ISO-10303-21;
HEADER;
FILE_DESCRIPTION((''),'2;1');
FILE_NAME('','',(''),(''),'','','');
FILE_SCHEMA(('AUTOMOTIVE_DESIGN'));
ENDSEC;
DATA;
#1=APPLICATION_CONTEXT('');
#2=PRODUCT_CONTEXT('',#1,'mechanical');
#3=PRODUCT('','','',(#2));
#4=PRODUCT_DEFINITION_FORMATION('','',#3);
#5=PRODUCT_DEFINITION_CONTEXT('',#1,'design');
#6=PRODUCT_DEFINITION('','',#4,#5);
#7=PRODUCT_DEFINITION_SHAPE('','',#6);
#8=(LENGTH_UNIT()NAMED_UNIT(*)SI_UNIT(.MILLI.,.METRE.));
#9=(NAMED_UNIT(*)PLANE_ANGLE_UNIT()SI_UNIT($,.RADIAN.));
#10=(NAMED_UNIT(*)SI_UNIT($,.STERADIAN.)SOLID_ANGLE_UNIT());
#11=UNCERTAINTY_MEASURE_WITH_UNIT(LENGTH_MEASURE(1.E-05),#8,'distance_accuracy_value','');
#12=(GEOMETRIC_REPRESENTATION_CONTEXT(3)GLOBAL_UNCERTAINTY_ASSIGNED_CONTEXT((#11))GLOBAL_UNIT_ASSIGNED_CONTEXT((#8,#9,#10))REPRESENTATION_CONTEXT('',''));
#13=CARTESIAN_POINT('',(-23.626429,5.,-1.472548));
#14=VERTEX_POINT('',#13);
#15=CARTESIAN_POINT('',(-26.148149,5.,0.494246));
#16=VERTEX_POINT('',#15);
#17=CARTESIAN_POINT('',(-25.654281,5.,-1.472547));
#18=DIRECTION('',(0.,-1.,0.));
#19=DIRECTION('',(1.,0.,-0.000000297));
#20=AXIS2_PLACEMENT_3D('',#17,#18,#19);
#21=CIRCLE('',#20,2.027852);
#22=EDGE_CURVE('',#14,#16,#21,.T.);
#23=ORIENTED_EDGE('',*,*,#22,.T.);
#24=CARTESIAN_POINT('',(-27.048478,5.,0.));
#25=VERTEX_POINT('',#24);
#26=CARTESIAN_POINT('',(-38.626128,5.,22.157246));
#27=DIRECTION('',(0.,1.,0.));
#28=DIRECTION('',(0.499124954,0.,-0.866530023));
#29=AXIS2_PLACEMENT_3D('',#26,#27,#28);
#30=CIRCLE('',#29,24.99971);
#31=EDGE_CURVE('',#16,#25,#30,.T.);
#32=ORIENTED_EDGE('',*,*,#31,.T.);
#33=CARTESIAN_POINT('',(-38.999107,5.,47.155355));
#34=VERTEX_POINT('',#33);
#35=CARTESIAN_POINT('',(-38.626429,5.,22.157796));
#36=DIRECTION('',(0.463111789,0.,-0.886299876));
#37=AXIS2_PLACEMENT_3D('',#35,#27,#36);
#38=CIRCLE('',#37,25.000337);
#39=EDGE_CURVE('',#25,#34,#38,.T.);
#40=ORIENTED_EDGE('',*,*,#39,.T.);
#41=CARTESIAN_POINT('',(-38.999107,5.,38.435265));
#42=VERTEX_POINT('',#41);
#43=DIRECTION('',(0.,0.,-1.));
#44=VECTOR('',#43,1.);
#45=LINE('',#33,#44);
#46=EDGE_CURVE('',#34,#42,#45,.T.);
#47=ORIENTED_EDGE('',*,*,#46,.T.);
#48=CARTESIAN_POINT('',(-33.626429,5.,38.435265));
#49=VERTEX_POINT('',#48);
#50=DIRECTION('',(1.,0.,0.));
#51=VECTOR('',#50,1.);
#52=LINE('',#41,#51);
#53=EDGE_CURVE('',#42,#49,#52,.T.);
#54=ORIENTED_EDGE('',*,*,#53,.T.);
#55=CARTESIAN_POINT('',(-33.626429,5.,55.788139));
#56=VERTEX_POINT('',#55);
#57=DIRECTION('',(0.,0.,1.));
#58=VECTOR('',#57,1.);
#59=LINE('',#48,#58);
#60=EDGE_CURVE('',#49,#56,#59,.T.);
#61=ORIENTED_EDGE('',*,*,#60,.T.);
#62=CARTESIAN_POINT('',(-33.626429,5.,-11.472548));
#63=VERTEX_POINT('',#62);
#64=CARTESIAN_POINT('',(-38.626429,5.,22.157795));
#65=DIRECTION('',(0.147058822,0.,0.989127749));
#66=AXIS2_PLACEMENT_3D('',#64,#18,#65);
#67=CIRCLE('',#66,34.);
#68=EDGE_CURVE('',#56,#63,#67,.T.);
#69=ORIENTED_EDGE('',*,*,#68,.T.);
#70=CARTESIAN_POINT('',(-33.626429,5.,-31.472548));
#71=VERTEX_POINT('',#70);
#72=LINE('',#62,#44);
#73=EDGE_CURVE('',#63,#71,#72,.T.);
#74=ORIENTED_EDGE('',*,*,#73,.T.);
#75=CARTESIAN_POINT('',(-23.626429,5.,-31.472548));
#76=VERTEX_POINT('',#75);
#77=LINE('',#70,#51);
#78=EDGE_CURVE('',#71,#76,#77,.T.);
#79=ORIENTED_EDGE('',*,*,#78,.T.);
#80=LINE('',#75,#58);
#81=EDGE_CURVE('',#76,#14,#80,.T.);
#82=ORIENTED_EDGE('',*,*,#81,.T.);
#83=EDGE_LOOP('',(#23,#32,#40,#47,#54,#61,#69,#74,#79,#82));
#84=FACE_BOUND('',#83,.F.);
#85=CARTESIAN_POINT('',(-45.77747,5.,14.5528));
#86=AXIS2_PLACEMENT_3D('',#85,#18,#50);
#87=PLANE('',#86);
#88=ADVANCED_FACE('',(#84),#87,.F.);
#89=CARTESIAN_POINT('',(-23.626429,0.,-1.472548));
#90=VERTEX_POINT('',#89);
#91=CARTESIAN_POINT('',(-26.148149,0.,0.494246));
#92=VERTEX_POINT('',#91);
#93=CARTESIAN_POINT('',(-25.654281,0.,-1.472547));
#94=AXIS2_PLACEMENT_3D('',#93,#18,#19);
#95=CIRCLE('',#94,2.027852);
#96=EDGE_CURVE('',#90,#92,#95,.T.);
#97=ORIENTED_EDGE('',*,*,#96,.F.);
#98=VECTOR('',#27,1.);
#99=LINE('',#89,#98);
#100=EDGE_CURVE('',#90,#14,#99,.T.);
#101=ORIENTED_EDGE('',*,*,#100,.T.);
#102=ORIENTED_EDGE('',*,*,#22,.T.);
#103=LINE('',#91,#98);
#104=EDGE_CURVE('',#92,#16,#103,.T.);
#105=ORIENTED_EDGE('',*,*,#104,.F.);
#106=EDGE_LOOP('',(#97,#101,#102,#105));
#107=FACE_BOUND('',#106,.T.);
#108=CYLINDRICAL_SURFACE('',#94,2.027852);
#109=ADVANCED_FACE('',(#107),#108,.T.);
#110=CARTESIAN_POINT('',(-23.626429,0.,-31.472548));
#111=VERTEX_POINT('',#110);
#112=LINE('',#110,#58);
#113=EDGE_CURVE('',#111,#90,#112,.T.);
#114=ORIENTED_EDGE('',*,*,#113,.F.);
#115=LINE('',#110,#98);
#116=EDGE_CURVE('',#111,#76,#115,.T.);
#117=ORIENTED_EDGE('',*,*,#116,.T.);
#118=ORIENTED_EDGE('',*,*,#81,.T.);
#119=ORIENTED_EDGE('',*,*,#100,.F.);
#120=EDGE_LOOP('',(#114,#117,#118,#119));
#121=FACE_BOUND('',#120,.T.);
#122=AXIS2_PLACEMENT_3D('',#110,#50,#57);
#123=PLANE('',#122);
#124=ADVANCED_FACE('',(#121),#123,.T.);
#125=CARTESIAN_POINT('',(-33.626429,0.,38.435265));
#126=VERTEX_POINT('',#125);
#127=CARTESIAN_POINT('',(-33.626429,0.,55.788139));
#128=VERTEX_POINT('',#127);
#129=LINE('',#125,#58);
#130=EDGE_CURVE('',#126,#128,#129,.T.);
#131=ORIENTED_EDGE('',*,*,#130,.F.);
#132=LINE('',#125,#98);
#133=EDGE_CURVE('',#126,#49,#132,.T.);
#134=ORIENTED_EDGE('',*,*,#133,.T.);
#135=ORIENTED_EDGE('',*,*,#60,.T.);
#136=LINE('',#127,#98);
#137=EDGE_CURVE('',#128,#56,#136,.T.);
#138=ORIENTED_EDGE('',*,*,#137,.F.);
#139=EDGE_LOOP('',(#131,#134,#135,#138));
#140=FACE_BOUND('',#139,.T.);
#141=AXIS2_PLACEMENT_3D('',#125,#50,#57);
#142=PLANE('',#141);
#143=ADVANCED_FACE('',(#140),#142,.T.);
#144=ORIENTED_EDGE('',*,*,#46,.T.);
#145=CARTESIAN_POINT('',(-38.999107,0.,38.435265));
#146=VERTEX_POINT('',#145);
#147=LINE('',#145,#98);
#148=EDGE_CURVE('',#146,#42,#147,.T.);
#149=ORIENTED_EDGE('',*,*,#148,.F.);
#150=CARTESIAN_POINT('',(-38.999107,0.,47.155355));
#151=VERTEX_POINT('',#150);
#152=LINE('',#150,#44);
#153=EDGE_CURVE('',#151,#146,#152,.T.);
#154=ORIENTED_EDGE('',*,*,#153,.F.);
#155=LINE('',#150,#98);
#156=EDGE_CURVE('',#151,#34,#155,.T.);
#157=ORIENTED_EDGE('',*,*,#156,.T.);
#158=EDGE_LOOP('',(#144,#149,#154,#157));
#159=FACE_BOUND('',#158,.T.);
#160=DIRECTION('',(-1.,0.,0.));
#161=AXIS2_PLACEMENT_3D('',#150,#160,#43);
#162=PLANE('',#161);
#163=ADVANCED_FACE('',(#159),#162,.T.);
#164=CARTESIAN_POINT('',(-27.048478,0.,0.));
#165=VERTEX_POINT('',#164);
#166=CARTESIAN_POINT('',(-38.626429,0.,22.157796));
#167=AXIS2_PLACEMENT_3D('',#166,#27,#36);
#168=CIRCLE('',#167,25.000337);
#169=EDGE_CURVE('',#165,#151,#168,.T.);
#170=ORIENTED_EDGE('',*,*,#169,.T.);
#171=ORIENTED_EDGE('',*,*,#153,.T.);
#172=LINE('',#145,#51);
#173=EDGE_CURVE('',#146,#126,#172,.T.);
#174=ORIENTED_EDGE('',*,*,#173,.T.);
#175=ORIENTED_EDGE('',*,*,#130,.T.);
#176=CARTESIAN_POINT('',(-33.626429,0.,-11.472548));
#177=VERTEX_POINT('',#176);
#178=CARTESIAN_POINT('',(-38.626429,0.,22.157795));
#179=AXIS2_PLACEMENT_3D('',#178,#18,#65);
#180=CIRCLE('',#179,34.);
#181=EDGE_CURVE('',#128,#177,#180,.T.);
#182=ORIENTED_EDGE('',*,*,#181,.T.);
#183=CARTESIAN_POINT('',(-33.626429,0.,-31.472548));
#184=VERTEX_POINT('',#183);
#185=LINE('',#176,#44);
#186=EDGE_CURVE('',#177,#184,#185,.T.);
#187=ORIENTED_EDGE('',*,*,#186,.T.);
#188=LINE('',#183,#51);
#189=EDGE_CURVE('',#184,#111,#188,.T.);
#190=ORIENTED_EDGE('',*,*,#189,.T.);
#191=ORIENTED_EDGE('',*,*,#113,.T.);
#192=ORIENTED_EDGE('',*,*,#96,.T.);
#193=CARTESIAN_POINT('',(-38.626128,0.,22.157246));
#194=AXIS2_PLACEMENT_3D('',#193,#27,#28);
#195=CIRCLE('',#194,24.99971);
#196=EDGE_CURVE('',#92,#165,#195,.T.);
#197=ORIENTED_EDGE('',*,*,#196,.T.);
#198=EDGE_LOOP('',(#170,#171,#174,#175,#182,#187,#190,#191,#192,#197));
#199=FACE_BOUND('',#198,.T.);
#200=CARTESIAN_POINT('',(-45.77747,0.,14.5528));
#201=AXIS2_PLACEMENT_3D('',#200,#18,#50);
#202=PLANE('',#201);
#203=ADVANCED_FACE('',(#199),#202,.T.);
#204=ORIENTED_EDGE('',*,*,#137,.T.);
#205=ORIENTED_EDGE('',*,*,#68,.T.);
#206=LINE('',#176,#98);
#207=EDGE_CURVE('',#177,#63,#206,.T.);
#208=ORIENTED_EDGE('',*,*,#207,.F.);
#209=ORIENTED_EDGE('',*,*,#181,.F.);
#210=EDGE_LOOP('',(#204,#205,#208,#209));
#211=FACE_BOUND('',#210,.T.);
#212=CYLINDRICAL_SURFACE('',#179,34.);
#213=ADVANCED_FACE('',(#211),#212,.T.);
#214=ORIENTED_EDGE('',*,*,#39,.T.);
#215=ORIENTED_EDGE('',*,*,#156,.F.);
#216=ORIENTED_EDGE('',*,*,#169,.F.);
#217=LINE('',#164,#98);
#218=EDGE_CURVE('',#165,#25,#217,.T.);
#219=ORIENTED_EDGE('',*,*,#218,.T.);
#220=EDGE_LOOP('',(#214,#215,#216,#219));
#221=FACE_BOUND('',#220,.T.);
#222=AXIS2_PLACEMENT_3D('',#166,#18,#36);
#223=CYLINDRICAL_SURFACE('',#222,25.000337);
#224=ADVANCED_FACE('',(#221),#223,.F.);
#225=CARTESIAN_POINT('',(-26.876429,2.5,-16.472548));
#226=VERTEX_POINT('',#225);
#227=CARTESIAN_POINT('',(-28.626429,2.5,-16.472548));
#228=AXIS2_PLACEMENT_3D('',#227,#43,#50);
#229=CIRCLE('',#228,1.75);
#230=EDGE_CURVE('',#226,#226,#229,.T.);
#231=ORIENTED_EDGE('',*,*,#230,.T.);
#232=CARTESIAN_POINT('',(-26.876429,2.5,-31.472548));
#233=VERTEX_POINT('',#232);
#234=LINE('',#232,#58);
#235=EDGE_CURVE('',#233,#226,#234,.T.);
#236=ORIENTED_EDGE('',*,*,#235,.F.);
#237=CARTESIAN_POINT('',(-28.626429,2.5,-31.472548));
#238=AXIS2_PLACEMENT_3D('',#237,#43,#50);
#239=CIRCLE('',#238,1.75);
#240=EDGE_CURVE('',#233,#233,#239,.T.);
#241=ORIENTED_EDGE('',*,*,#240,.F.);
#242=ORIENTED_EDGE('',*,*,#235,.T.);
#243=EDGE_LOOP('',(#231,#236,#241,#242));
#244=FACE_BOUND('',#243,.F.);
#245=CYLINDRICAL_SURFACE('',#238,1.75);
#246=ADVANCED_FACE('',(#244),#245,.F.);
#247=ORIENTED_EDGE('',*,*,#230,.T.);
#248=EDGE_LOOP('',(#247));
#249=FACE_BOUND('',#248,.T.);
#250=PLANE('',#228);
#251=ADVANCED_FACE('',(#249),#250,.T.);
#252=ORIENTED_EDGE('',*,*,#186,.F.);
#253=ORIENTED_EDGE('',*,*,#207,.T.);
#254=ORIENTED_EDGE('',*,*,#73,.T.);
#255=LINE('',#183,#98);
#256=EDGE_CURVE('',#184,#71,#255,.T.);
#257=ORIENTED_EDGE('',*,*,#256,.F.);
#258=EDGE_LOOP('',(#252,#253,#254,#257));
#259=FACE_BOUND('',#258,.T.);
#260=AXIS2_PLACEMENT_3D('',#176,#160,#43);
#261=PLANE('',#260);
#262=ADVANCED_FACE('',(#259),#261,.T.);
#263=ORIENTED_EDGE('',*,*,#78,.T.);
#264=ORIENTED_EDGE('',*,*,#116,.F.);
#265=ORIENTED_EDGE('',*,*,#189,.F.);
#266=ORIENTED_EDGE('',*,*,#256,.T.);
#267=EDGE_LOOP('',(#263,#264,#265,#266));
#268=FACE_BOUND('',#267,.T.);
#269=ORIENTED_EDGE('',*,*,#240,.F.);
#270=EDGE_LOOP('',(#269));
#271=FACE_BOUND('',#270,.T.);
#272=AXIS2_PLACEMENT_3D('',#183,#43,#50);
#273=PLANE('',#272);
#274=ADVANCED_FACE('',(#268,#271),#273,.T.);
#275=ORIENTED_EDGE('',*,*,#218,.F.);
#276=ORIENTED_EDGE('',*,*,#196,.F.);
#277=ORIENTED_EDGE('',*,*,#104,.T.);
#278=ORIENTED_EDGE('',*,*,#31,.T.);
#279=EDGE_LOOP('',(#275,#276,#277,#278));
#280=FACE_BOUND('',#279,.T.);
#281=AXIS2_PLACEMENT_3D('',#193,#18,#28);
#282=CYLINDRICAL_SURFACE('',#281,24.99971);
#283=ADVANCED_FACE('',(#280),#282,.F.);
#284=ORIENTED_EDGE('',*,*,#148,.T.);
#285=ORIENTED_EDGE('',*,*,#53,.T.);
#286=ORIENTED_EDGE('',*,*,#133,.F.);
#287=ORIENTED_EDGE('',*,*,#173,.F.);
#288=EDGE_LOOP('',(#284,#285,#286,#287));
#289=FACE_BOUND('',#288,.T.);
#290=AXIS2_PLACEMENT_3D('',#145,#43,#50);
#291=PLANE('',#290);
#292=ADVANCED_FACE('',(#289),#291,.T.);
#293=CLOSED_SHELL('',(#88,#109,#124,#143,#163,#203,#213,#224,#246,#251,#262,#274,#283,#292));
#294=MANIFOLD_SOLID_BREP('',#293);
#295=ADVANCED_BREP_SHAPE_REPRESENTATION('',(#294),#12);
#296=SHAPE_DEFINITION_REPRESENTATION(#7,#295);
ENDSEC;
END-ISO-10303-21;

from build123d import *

# Parameters (mm, degrees)
F1_DEPTH = 5
F2_R     = 1.75
F3_DEPTH = 15


with BuildPart() as f1:
    # F0 (on Front) → F1 (new body)
    with BuildSketch(Plane.XZ):
        with BuildLine():
            Line((-33.626429, 38.435265), (-33.626429, 55.788139))
            ThreePointArc((-33.626429, 55.788139), (-72.626429, 22.157796), (-33.626429, -11.472548))
            Line((-33.626429, -11.472548), (-33.626429, -31.472548))
            Line((-33.626429, -31.472548), (-23.626429, -31.472548))
            Line((-23.626429, -31.472548), (-23.626429, -1.472548))
            ThreePointArc((-23.626429, -1.472548), (-24.407146, 0.126464), (-26.148149, 0.494246))
            ThreePointArc((-26.148149, 0.494246), (-26.595775, 0.242499), (-27.048478, 0))
            ThreePointArc((-27.048478, 0), (-62.860628, 16.016098), (-38.999107, 47.155355))
            Line((-38.999107, 47.155355), (-38.999107, 38.435265))
            Line((-38.999107, 38.435265), (-33.626429, 38.435265))
        make_face()
    extrude(amount=-F1_DEPTH)

    # F2 (on face) → F3 (cut)
    with BuildSketch(Plane(origin=(0, 0, -31.472548), x_dir=(1, 0, 0), z_dir=(0, 0, -1))):
        with Locations((-28.626429, -2.5)):
            Circle(F2_R)
    extrude(amount=-F3_DEPTH, mode=Mode.SUBTRACT)


solid = f1.part
